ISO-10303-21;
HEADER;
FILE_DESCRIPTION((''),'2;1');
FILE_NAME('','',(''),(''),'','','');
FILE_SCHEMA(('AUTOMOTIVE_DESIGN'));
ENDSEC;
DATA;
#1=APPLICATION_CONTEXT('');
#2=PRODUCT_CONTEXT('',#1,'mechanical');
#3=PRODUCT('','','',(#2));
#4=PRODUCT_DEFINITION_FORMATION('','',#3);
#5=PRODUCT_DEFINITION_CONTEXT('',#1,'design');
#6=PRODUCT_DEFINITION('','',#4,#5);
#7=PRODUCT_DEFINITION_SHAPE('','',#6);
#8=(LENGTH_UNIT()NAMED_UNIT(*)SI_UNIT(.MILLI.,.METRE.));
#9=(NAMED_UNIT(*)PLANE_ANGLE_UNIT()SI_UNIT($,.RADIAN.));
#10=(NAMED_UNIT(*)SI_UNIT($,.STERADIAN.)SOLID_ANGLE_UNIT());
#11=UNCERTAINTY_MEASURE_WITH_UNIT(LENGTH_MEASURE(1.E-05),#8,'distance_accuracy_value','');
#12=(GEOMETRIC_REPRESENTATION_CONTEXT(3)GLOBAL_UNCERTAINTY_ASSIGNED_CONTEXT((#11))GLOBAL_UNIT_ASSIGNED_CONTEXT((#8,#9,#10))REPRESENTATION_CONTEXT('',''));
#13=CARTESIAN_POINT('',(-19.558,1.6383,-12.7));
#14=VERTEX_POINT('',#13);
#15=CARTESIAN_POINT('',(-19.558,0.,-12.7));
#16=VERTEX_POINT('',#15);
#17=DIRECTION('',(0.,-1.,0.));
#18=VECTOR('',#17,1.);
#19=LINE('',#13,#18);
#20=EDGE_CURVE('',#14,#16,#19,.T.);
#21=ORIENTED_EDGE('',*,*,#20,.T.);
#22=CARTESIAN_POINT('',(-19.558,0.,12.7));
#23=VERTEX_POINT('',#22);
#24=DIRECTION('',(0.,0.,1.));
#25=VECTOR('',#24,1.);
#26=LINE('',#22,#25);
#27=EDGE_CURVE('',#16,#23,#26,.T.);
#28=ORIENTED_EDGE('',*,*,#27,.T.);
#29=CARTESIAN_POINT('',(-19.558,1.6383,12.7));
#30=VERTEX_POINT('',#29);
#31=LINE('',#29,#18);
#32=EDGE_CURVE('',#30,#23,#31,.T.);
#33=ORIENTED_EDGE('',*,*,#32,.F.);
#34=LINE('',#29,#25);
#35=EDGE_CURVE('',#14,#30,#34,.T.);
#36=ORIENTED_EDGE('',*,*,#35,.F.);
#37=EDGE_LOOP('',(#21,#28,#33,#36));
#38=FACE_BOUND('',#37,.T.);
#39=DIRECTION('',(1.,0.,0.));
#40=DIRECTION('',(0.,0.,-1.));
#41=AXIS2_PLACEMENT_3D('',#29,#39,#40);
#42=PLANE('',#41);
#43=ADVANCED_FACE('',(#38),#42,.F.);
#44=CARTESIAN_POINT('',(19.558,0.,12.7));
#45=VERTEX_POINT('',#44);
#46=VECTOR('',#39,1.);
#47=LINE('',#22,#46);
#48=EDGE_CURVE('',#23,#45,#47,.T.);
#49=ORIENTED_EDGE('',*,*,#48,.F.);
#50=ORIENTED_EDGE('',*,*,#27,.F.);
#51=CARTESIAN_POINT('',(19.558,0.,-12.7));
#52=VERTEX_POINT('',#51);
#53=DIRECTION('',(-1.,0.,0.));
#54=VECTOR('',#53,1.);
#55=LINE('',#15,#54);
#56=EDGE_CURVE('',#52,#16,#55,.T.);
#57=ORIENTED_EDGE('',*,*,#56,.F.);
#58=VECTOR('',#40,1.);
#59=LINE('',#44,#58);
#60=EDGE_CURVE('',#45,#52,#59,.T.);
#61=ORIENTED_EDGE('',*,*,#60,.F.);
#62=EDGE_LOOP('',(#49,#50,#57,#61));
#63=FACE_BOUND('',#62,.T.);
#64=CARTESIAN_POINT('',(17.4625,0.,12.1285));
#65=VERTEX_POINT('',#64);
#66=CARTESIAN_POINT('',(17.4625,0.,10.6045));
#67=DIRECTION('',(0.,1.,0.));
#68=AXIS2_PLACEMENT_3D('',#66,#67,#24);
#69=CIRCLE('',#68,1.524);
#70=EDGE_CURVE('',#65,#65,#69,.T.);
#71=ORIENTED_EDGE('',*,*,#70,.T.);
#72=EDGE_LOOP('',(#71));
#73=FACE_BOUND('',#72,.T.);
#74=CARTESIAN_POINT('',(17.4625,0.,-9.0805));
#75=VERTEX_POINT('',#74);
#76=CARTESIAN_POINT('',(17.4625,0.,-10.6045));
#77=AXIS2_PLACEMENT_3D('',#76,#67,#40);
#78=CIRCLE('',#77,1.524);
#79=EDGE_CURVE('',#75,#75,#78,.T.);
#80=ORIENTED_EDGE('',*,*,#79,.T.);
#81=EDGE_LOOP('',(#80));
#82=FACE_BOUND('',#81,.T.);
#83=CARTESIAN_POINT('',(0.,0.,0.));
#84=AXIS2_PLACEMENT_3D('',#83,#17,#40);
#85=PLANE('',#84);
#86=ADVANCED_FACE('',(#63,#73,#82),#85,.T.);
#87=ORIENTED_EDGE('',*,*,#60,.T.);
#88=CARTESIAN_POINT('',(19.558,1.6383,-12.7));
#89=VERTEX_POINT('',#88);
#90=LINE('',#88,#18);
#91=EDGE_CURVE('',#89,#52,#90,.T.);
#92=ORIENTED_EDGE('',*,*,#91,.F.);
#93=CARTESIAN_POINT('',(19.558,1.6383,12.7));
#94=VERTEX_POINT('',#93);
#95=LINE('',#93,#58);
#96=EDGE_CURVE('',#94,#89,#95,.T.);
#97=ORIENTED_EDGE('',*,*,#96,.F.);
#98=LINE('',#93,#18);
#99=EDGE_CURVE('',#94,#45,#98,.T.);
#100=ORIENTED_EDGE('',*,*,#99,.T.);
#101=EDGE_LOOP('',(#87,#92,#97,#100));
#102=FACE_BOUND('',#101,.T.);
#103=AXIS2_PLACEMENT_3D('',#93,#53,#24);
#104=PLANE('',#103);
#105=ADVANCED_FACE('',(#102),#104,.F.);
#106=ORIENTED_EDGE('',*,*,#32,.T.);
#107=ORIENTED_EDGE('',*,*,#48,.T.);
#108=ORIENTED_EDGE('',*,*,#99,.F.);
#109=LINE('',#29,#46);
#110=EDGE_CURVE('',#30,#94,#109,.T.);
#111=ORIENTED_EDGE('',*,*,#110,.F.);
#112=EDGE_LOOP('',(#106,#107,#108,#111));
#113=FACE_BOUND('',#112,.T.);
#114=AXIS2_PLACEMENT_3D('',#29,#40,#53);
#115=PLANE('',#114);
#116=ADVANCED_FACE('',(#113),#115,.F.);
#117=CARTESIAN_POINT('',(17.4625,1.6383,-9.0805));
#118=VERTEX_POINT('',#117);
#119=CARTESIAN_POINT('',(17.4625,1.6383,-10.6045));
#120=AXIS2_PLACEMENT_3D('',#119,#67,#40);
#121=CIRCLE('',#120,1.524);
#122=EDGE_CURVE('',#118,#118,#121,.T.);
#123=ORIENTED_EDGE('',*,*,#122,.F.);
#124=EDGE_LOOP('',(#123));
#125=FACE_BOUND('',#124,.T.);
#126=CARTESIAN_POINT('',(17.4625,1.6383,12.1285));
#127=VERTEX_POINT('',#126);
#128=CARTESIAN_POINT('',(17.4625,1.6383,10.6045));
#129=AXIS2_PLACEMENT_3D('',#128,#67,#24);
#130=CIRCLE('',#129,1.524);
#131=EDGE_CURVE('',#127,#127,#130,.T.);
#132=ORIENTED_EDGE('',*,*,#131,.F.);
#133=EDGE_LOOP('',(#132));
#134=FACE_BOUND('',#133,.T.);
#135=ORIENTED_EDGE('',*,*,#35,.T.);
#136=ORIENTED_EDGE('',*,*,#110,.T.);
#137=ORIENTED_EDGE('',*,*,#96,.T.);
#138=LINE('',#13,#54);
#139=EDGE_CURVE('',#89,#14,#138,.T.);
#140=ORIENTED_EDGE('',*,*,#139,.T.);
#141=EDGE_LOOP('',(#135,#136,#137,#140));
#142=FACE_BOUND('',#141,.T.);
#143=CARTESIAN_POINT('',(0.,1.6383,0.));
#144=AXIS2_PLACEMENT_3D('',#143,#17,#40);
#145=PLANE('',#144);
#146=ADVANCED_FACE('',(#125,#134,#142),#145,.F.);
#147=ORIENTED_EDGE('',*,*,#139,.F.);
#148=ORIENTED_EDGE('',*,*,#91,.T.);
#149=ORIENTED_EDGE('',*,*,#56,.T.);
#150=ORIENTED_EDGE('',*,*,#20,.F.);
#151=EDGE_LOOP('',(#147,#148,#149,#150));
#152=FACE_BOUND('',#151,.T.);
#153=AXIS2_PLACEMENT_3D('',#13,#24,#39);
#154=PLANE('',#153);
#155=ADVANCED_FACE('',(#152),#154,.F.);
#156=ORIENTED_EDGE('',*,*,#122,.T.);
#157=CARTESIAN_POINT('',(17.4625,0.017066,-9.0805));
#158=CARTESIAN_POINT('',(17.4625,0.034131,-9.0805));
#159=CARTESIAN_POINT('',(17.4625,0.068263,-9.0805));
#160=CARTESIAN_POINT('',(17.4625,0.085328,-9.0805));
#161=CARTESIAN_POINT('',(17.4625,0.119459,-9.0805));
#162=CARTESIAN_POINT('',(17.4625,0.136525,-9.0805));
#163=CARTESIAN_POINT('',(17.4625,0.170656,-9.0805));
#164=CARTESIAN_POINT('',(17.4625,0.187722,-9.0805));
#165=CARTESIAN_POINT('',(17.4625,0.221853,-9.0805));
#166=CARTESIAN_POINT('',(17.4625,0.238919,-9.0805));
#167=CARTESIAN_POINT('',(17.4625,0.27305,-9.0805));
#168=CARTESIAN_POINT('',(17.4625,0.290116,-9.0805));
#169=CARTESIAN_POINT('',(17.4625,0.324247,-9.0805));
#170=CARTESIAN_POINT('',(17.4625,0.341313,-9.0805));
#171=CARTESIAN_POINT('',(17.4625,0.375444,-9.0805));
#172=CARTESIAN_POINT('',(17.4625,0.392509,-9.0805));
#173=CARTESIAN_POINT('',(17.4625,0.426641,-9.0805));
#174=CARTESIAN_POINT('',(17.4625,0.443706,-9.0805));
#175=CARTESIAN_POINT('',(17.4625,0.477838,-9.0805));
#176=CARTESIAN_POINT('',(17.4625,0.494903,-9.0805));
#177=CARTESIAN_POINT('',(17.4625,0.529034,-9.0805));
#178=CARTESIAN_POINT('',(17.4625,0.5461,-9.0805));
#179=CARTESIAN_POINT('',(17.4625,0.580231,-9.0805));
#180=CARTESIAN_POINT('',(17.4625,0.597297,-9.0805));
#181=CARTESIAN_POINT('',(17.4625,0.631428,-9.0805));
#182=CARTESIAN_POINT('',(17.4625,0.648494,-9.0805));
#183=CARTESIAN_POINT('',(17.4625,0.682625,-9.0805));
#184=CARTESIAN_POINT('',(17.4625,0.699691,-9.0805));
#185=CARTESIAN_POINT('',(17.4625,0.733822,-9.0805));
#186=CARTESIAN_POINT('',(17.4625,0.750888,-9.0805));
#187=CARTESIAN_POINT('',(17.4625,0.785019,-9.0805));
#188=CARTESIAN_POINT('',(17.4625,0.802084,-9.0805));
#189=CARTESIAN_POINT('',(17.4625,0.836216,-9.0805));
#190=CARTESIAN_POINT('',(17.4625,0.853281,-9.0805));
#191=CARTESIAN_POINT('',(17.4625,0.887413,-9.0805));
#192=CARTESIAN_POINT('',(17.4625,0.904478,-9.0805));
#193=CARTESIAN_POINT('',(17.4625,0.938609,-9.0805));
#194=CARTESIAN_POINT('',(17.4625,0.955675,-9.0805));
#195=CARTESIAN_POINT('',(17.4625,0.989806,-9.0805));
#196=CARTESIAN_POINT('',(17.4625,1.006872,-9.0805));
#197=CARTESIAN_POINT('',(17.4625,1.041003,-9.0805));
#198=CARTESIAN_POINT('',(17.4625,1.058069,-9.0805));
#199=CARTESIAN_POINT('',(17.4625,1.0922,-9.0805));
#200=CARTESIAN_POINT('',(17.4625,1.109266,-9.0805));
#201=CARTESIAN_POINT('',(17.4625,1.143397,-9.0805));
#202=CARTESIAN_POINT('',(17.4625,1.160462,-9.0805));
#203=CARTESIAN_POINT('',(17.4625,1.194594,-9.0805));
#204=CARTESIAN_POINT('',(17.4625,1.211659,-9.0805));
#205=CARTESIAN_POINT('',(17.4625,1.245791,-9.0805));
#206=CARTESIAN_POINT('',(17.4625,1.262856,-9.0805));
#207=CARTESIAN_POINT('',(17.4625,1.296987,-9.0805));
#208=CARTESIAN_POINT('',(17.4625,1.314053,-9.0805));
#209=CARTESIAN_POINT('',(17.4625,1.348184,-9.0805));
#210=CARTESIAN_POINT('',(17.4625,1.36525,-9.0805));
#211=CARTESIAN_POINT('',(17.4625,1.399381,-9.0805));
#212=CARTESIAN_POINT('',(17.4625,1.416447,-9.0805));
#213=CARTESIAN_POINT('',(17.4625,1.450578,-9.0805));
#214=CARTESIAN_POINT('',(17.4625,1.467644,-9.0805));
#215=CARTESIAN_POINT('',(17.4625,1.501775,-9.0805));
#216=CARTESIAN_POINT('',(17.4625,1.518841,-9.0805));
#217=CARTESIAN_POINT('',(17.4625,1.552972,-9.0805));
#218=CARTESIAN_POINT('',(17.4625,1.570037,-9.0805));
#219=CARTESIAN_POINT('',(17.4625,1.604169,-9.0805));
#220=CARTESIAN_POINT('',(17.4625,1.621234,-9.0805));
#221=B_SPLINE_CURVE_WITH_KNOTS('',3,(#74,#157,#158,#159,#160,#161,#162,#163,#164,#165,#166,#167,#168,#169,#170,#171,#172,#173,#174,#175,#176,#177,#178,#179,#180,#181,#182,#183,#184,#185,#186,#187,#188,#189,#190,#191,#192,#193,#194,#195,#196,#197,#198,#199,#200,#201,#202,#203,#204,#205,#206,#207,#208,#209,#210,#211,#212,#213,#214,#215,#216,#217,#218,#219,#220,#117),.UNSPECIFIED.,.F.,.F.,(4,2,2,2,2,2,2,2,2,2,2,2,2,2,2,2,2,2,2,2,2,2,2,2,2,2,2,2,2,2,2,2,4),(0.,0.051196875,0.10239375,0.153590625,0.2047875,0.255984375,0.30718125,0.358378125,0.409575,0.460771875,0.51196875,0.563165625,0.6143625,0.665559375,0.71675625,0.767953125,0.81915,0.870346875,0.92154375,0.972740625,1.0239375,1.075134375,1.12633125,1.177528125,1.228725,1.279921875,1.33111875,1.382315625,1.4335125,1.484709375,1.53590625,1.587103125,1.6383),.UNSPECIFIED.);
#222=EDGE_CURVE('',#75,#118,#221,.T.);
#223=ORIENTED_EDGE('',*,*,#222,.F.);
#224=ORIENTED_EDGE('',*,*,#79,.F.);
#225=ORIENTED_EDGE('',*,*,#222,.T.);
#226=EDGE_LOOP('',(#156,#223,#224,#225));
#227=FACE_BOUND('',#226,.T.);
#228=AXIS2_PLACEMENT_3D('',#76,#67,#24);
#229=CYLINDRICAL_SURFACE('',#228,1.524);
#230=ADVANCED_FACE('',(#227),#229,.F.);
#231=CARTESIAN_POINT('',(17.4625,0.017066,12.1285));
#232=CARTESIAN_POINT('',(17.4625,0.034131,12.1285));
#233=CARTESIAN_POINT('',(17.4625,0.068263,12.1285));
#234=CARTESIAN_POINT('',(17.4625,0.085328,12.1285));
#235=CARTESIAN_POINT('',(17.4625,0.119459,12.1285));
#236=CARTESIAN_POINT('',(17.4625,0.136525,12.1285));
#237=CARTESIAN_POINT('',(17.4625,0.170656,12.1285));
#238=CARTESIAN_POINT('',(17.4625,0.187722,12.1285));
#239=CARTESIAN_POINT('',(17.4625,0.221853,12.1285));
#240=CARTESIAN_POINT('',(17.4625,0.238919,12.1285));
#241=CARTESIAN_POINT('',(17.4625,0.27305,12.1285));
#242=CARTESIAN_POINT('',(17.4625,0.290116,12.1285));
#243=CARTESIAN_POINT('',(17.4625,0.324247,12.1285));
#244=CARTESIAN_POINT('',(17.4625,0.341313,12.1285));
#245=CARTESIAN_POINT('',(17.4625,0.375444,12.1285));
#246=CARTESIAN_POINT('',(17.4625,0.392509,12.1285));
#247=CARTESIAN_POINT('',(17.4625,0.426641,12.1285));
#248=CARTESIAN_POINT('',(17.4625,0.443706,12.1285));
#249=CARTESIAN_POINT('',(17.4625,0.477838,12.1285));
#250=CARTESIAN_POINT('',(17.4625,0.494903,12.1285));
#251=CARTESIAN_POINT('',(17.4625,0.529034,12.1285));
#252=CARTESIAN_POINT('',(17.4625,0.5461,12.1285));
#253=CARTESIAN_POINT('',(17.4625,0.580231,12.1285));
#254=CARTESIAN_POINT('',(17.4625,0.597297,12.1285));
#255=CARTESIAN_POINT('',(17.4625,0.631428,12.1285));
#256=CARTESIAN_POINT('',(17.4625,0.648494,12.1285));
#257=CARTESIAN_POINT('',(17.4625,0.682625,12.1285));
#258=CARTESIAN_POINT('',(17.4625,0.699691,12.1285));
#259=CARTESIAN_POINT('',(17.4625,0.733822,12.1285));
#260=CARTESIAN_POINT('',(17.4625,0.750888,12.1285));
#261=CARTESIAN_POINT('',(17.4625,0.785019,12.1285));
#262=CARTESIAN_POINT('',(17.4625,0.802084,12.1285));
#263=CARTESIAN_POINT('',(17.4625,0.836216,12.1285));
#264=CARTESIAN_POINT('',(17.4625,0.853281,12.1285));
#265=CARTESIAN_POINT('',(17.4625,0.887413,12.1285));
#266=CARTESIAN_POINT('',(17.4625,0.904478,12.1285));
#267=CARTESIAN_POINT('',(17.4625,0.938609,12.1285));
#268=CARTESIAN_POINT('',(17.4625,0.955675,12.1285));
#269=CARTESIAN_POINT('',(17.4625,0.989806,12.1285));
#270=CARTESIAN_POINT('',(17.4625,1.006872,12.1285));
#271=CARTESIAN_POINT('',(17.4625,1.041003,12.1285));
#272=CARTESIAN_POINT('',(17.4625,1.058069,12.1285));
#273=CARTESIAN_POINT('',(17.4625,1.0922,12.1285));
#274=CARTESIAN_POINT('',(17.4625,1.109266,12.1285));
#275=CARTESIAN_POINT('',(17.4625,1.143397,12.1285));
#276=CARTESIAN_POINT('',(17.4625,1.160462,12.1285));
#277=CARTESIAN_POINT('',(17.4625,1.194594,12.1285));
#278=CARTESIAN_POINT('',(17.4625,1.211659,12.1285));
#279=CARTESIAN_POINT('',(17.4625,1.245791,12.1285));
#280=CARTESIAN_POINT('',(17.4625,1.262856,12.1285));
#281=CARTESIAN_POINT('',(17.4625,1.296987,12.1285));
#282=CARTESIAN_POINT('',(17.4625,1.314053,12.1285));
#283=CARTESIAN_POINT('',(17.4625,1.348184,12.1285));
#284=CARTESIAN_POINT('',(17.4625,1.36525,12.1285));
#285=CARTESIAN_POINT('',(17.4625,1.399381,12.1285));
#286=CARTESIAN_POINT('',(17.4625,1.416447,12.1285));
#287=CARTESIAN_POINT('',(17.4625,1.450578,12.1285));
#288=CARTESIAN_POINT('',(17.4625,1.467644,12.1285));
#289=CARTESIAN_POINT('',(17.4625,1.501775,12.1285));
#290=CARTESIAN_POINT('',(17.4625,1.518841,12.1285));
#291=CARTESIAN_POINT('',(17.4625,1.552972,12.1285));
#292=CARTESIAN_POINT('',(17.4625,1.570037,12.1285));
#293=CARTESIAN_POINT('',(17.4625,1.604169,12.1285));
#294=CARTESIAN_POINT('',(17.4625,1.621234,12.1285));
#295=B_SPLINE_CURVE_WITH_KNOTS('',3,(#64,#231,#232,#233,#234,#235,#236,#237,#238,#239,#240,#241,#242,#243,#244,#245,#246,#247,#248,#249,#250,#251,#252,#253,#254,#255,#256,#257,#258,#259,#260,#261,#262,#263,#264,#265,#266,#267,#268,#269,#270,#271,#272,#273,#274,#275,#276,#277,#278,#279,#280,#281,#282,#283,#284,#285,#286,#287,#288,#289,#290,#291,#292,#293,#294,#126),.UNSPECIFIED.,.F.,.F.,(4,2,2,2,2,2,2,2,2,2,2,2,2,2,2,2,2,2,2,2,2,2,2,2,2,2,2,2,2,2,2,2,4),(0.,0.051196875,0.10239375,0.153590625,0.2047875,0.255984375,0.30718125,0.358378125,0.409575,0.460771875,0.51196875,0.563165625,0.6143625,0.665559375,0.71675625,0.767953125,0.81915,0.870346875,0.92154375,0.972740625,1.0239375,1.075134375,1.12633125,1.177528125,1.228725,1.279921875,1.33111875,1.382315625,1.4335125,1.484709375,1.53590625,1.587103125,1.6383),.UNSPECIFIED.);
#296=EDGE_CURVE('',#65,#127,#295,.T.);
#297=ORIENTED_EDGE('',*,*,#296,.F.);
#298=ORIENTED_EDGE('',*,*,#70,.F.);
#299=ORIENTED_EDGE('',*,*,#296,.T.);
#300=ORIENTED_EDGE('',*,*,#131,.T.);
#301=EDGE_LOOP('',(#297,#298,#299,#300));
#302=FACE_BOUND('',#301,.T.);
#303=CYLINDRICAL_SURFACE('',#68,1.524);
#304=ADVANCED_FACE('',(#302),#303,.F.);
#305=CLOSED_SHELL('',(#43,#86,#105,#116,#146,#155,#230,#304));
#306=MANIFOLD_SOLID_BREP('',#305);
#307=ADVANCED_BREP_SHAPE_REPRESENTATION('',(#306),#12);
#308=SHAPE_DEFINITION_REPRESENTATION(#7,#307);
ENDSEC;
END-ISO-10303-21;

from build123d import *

# Parameters (mm, degrees)
SKETCH1_W           = 39.116
SKETCH1_H           = 25.4
BOSS_EXTRUDE1_DEPTH = 1.6383
SKETCH2_R           = 1.524
CUT_EXTRUDE1_DEPTH  = 1.6383


with BuildPart() as part:
    # Sketch1 → Boss-Extrude1 (new body)
    with BuildSketch(Plane(origin=(0, 0, 0), x_dir=(1, 0, 0), z_dir=(0, 1, 0))):
        Rectangle(SKETCH1_W, SKETCH1_H)
    extrude(amount=BOSS_EXTRUDE1_DEPTH)

    # Sketch2 → Cut-Extrude1 (cut)
    with BuildSketch(Plane(origin=(0, 1.6383, 0), x_dir=(1, 0, 0), z_dir=(0, 1, 0))):
        with Locations(Location((17.4625, -10.6045, 0), (0, 0, 270))):
            Circle(SKETCH2_R)
        with Locations(Location((17.4625, 10.6045, 0), (0, 0, 270))):
            Circle(SKETCH2_R)
    extrude(amount=-CUT_EXTRUDE1_DEPTH, mode=Mode.SUBTRACT)


solid = part.part
